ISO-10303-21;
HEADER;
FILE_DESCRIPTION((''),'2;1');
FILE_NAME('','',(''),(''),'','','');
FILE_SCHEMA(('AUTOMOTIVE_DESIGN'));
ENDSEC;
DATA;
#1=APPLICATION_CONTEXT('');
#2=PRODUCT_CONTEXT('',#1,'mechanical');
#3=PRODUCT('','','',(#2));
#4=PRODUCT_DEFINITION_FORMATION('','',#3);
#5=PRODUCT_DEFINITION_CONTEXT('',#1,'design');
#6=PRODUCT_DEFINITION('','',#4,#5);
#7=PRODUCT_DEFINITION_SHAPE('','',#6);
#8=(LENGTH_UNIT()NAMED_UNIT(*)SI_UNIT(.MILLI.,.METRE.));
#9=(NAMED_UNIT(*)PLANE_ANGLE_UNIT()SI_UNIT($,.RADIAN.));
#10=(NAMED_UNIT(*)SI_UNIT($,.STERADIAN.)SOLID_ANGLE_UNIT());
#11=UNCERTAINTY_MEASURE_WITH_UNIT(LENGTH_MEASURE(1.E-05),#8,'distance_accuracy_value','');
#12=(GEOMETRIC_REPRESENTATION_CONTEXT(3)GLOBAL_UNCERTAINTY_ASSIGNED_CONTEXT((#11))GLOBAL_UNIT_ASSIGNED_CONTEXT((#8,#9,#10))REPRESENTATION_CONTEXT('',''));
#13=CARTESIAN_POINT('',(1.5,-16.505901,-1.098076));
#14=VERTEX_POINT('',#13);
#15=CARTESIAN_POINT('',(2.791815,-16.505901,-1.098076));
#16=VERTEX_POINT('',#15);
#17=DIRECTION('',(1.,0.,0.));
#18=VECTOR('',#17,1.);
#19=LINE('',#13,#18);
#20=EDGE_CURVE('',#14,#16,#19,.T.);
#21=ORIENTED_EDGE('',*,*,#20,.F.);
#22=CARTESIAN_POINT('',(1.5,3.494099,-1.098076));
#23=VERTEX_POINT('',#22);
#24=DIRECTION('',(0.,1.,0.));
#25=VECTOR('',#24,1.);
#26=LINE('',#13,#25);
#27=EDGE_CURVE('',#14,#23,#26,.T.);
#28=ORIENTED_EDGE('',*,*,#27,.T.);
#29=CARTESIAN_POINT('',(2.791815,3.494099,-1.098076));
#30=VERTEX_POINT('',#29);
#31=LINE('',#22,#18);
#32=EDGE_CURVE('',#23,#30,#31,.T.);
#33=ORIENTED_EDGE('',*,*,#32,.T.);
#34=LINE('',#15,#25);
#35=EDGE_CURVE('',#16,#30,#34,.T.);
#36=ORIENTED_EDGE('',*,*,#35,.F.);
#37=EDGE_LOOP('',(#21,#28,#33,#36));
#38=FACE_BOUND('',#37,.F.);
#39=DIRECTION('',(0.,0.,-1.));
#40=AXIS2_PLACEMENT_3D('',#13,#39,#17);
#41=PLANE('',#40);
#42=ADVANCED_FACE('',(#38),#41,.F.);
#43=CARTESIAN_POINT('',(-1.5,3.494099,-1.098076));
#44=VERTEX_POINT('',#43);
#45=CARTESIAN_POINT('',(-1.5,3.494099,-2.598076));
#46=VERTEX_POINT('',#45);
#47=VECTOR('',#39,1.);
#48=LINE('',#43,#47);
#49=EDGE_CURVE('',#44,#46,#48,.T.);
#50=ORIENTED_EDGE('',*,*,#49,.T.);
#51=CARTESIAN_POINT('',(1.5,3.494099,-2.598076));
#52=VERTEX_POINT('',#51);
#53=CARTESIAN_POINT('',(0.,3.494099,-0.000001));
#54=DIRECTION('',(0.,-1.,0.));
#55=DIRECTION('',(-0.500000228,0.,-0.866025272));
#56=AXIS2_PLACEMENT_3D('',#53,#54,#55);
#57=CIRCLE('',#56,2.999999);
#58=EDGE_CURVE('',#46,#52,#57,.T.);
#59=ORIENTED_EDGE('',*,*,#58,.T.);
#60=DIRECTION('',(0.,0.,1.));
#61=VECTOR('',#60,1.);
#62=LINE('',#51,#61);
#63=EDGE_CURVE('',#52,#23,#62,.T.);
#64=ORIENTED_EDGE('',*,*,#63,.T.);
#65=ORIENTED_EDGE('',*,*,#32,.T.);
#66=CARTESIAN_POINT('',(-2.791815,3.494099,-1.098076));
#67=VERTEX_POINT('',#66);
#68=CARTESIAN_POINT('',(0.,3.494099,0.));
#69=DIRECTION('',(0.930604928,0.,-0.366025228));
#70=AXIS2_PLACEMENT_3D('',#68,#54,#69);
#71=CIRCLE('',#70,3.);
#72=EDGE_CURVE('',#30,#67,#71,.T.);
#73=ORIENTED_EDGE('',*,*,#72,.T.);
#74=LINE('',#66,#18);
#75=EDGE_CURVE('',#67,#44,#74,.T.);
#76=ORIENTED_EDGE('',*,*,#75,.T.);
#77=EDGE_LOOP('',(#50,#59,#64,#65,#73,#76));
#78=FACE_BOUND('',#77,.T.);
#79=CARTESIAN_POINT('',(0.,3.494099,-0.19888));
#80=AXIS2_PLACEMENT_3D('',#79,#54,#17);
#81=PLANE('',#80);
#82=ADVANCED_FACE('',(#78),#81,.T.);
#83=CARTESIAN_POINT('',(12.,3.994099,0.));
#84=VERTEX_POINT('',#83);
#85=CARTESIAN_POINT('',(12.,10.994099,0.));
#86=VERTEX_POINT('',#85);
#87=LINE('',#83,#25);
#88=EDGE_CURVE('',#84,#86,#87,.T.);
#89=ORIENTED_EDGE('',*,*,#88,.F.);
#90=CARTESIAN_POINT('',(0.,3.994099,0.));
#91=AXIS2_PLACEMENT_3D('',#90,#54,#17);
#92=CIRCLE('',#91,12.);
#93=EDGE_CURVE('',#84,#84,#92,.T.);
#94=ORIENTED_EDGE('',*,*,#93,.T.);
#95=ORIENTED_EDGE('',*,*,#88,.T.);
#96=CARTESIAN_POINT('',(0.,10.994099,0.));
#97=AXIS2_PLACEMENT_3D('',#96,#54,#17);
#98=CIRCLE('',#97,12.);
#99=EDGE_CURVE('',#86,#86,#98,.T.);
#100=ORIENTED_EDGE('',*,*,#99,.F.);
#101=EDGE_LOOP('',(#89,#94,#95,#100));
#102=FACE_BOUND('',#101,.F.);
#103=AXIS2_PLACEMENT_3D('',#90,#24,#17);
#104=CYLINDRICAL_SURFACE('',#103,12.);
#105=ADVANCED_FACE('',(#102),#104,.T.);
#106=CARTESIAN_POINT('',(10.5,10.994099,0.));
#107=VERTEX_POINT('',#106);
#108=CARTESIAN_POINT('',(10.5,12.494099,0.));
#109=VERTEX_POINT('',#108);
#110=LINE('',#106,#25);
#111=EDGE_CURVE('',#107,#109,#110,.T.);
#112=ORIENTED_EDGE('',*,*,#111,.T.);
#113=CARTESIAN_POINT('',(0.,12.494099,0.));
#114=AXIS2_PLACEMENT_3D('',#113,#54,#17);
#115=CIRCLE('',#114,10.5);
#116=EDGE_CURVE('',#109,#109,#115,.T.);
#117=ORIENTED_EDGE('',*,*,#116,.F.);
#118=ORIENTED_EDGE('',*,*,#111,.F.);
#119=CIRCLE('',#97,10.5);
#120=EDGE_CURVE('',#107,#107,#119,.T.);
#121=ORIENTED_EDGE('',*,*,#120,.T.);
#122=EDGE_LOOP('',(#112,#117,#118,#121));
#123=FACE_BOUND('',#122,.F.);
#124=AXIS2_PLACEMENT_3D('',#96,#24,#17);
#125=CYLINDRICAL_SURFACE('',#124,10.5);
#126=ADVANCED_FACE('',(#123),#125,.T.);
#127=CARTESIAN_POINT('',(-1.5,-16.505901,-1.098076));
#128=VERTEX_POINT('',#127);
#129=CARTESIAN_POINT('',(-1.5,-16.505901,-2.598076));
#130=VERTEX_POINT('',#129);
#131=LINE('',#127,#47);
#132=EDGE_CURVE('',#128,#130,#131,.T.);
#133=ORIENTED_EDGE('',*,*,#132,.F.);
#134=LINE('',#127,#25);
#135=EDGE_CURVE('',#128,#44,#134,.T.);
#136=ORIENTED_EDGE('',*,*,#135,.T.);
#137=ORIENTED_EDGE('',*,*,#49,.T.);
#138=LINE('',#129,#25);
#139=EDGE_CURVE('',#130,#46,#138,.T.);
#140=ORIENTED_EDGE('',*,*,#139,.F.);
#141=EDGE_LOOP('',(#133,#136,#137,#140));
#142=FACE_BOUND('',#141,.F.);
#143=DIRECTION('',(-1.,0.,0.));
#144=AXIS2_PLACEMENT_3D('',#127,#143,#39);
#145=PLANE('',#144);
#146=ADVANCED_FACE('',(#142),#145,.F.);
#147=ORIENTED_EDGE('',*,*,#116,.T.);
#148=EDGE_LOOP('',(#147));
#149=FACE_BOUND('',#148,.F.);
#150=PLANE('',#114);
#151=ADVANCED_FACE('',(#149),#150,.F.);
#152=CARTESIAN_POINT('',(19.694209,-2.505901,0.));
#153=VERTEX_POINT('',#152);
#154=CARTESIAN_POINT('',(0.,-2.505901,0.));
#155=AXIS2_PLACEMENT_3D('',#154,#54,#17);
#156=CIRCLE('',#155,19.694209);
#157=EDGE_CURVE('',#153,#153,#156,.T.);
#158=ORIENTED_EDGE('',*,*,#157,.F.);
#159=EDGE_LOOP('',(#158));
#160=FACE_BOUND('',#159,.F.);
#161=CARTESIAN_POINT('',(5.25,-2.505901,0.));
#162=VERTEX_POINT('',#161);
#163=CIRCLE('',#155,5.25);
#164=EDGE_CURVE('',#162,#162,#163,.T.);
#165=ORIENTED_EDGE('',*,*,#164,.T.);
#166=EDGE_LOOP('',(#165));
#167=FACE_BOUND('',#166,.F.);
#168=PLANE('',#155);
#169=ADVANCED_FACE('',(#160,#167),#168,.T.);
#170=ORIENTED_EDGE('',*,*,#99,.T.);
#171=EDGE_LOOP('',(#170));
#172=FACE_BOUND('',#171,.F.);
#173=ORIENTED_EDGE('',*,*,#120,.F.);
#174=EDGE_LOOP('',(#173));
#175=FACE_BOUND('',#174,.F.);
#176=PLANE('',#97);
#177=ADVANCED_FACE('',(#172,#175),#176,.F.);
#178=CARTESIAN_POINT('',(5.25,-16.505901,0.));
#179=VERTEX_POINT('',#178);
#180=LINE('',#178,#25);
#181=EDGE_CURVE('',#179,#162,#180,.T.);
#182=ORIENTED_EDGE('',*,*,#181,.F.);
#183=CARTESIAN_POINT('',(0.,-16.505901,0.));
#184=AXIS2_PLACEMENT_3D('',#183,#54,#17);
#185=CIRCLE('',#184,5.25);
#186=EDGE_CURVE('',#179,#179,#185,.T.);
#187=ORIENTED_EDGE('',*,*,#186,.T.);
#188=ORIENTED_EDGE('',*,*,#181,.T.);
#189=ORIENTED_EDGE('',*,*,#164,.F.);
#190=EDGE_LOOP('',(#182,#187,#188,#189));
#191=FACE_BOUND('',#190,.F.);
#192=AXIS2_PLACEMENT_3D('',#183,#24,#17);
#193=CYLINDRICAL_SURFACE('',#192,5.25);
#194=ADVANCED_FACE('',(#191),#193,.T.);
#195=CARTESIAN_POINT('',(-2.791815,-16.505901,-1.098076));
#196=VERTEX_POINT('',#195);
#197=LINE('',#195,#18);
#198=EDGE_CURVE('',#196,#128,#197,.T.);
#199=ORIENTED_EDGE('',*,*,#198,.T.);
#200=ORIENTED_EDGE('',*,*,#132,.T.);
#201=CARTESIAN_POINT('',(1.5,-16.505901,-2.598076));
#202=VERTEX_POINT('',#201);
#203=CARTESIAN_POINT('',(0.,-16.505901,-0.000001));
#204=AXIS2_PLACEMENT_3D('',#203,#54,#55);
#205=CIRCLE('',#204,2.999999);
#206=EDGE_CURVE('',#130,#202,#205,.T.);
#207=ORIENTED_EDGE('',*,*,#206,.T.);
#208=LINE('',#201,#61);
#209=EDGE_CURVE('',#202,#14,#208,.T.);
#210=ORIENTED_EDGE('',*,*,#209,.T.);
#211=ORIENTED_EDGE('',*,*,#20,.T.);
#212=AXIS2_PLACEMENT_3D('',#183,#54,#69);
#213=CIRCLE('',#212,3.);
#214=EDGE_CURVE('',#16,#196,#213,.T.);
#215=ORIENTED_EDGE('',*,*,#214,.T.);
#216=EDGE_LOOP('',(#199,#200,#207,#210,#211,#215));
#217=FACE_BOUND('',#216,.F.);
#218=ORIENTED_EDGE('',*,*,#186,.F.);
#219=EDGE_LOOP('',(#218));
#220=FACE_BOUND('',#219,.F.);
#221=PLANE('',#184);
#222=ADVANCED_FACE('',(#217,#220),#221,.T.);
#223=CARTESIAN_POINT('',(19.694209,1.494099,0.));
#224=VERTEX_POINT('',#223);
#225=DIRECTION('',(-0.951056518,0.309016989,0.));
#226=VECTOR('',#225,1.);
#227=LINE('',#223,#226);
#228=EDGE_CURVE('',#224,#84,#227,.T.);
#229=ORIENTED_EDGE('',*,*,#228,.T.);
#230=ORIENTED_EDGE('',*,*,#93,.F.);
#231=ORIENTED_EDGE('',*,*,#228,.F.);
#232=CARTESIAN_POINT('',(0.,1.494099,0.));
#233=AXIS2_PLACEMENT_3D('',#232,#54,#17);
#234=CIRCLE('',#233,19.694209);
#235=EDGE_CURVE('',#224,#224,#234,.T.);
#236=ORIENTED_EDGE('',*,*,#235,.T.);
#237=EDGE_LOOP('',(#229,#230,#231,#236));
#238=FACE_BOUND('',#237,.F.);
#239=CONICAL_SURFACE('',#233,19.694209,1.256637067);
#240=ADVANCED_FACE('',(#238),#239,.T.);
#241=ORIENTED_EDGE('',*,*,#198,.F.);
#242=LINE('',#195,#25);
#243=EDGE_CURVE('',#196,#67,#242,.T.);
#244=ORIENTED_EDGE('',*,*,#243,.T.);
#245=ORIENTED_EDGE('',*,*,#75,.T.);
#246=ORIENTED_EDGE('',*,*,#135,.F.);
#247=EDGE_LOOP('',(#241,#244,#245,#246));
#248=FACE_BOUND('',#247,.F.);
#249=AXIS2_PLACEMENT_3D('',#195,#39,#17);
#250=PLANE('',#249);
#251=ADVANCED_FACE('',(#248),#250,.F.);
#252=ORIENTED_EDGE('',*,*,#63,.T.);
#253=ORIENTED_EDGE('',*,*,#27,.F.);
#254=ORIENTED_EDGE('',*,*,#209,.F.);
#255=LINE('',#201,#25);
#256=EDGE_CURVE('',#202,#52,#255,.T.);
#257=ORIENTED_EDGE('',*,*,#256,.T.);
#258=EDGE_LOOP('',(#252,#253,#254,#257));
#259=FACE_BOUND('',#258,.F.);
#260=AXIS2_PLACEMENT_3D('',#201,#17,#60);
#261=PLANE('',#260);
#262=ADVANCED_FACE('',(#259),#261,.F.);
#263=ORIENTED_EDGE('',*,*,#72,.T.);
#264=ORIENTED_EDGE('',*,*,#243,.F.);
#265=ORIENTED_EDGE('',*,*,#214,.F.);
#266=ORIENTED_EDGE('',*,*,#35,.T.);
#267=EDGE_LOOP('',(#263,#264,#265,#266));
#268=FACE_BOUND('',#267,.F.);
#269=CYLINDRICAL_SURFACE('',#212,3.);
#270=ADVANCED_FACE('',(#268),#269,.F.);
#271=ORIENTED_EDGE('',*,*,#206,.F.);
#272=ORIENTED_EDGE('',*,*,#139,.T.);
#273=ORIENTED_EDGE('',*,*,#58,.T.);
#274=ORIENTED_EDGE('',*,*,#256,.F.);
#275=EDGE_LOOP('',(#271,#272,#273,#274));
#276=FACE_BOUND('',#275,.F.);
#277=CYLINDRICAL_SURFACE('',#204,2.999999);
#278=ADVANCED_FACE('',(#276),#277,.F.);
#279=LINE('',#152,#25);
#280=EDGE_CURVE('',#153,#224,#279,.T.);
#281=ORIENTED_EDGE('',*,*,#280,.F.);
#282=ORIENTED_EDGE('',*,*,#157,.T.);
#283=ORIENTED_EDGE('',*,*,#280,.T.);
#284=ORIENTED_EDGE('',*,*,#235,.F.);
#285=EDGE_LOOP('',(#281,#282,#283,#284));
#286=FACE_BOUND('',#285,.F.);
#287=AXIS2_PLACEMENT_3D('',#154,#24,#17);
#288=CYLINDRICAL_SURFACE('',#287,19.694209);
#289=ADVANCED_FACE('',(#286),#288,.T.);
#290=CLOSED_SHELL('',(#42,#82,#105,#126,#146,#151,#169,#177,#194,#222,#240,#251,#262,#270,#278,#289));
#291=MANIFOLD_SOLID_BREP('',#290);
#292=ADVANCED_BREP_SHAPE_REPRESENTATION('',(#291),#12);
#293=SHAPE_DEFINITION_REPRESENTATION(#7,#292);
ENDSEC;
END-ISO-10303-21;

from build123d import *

# Parameters (mm, degrees)
F3_DEPTH = 20


with BuildPart() as f1:
    # F0 (on Top) → F1 (revolve)
    with BuildSketch(Plane.XY):
        Polygon((5.25, -16.505901), (5.25, -2.505901), (19.694209, -2.505901), (19.694209, 1.494099), (12, 3.994099), (12, 10.994099), (10.5, 10.994099), (10.5, 12.494099), (0, 12.494099), (0, -16.505901), align=None)
    revolve(axis=Axis((0, -14.739398, 0), (0, -1, 0)))

    # F2 (on face) → F3 (cut)
    with BuildSketch(Plane.XZ.offset(16.505901)):
        with BuildLine():
            Line((-1.5, -1.098076), (-1.5, -2.598076))
            ThreePointArc((-1.5, -2.598076), (0, -3), (1.5, -2.598076))
            Line((1.5, -2.598076), (1.5, -1.098076))
            Line((1.5, -1.098076), (2.791815, -1.098076))
            ThreePointArc((2.791815, -1.098076), (0, 3), (-2.791815, -1.098076))
            Line((-2.791815, -1.098076), (-1.5, -1.098076))
        make_face()
    extrude(amount=-F3_DEPTH, mode=Mode.SUBTRACT)


solid = f1.part
